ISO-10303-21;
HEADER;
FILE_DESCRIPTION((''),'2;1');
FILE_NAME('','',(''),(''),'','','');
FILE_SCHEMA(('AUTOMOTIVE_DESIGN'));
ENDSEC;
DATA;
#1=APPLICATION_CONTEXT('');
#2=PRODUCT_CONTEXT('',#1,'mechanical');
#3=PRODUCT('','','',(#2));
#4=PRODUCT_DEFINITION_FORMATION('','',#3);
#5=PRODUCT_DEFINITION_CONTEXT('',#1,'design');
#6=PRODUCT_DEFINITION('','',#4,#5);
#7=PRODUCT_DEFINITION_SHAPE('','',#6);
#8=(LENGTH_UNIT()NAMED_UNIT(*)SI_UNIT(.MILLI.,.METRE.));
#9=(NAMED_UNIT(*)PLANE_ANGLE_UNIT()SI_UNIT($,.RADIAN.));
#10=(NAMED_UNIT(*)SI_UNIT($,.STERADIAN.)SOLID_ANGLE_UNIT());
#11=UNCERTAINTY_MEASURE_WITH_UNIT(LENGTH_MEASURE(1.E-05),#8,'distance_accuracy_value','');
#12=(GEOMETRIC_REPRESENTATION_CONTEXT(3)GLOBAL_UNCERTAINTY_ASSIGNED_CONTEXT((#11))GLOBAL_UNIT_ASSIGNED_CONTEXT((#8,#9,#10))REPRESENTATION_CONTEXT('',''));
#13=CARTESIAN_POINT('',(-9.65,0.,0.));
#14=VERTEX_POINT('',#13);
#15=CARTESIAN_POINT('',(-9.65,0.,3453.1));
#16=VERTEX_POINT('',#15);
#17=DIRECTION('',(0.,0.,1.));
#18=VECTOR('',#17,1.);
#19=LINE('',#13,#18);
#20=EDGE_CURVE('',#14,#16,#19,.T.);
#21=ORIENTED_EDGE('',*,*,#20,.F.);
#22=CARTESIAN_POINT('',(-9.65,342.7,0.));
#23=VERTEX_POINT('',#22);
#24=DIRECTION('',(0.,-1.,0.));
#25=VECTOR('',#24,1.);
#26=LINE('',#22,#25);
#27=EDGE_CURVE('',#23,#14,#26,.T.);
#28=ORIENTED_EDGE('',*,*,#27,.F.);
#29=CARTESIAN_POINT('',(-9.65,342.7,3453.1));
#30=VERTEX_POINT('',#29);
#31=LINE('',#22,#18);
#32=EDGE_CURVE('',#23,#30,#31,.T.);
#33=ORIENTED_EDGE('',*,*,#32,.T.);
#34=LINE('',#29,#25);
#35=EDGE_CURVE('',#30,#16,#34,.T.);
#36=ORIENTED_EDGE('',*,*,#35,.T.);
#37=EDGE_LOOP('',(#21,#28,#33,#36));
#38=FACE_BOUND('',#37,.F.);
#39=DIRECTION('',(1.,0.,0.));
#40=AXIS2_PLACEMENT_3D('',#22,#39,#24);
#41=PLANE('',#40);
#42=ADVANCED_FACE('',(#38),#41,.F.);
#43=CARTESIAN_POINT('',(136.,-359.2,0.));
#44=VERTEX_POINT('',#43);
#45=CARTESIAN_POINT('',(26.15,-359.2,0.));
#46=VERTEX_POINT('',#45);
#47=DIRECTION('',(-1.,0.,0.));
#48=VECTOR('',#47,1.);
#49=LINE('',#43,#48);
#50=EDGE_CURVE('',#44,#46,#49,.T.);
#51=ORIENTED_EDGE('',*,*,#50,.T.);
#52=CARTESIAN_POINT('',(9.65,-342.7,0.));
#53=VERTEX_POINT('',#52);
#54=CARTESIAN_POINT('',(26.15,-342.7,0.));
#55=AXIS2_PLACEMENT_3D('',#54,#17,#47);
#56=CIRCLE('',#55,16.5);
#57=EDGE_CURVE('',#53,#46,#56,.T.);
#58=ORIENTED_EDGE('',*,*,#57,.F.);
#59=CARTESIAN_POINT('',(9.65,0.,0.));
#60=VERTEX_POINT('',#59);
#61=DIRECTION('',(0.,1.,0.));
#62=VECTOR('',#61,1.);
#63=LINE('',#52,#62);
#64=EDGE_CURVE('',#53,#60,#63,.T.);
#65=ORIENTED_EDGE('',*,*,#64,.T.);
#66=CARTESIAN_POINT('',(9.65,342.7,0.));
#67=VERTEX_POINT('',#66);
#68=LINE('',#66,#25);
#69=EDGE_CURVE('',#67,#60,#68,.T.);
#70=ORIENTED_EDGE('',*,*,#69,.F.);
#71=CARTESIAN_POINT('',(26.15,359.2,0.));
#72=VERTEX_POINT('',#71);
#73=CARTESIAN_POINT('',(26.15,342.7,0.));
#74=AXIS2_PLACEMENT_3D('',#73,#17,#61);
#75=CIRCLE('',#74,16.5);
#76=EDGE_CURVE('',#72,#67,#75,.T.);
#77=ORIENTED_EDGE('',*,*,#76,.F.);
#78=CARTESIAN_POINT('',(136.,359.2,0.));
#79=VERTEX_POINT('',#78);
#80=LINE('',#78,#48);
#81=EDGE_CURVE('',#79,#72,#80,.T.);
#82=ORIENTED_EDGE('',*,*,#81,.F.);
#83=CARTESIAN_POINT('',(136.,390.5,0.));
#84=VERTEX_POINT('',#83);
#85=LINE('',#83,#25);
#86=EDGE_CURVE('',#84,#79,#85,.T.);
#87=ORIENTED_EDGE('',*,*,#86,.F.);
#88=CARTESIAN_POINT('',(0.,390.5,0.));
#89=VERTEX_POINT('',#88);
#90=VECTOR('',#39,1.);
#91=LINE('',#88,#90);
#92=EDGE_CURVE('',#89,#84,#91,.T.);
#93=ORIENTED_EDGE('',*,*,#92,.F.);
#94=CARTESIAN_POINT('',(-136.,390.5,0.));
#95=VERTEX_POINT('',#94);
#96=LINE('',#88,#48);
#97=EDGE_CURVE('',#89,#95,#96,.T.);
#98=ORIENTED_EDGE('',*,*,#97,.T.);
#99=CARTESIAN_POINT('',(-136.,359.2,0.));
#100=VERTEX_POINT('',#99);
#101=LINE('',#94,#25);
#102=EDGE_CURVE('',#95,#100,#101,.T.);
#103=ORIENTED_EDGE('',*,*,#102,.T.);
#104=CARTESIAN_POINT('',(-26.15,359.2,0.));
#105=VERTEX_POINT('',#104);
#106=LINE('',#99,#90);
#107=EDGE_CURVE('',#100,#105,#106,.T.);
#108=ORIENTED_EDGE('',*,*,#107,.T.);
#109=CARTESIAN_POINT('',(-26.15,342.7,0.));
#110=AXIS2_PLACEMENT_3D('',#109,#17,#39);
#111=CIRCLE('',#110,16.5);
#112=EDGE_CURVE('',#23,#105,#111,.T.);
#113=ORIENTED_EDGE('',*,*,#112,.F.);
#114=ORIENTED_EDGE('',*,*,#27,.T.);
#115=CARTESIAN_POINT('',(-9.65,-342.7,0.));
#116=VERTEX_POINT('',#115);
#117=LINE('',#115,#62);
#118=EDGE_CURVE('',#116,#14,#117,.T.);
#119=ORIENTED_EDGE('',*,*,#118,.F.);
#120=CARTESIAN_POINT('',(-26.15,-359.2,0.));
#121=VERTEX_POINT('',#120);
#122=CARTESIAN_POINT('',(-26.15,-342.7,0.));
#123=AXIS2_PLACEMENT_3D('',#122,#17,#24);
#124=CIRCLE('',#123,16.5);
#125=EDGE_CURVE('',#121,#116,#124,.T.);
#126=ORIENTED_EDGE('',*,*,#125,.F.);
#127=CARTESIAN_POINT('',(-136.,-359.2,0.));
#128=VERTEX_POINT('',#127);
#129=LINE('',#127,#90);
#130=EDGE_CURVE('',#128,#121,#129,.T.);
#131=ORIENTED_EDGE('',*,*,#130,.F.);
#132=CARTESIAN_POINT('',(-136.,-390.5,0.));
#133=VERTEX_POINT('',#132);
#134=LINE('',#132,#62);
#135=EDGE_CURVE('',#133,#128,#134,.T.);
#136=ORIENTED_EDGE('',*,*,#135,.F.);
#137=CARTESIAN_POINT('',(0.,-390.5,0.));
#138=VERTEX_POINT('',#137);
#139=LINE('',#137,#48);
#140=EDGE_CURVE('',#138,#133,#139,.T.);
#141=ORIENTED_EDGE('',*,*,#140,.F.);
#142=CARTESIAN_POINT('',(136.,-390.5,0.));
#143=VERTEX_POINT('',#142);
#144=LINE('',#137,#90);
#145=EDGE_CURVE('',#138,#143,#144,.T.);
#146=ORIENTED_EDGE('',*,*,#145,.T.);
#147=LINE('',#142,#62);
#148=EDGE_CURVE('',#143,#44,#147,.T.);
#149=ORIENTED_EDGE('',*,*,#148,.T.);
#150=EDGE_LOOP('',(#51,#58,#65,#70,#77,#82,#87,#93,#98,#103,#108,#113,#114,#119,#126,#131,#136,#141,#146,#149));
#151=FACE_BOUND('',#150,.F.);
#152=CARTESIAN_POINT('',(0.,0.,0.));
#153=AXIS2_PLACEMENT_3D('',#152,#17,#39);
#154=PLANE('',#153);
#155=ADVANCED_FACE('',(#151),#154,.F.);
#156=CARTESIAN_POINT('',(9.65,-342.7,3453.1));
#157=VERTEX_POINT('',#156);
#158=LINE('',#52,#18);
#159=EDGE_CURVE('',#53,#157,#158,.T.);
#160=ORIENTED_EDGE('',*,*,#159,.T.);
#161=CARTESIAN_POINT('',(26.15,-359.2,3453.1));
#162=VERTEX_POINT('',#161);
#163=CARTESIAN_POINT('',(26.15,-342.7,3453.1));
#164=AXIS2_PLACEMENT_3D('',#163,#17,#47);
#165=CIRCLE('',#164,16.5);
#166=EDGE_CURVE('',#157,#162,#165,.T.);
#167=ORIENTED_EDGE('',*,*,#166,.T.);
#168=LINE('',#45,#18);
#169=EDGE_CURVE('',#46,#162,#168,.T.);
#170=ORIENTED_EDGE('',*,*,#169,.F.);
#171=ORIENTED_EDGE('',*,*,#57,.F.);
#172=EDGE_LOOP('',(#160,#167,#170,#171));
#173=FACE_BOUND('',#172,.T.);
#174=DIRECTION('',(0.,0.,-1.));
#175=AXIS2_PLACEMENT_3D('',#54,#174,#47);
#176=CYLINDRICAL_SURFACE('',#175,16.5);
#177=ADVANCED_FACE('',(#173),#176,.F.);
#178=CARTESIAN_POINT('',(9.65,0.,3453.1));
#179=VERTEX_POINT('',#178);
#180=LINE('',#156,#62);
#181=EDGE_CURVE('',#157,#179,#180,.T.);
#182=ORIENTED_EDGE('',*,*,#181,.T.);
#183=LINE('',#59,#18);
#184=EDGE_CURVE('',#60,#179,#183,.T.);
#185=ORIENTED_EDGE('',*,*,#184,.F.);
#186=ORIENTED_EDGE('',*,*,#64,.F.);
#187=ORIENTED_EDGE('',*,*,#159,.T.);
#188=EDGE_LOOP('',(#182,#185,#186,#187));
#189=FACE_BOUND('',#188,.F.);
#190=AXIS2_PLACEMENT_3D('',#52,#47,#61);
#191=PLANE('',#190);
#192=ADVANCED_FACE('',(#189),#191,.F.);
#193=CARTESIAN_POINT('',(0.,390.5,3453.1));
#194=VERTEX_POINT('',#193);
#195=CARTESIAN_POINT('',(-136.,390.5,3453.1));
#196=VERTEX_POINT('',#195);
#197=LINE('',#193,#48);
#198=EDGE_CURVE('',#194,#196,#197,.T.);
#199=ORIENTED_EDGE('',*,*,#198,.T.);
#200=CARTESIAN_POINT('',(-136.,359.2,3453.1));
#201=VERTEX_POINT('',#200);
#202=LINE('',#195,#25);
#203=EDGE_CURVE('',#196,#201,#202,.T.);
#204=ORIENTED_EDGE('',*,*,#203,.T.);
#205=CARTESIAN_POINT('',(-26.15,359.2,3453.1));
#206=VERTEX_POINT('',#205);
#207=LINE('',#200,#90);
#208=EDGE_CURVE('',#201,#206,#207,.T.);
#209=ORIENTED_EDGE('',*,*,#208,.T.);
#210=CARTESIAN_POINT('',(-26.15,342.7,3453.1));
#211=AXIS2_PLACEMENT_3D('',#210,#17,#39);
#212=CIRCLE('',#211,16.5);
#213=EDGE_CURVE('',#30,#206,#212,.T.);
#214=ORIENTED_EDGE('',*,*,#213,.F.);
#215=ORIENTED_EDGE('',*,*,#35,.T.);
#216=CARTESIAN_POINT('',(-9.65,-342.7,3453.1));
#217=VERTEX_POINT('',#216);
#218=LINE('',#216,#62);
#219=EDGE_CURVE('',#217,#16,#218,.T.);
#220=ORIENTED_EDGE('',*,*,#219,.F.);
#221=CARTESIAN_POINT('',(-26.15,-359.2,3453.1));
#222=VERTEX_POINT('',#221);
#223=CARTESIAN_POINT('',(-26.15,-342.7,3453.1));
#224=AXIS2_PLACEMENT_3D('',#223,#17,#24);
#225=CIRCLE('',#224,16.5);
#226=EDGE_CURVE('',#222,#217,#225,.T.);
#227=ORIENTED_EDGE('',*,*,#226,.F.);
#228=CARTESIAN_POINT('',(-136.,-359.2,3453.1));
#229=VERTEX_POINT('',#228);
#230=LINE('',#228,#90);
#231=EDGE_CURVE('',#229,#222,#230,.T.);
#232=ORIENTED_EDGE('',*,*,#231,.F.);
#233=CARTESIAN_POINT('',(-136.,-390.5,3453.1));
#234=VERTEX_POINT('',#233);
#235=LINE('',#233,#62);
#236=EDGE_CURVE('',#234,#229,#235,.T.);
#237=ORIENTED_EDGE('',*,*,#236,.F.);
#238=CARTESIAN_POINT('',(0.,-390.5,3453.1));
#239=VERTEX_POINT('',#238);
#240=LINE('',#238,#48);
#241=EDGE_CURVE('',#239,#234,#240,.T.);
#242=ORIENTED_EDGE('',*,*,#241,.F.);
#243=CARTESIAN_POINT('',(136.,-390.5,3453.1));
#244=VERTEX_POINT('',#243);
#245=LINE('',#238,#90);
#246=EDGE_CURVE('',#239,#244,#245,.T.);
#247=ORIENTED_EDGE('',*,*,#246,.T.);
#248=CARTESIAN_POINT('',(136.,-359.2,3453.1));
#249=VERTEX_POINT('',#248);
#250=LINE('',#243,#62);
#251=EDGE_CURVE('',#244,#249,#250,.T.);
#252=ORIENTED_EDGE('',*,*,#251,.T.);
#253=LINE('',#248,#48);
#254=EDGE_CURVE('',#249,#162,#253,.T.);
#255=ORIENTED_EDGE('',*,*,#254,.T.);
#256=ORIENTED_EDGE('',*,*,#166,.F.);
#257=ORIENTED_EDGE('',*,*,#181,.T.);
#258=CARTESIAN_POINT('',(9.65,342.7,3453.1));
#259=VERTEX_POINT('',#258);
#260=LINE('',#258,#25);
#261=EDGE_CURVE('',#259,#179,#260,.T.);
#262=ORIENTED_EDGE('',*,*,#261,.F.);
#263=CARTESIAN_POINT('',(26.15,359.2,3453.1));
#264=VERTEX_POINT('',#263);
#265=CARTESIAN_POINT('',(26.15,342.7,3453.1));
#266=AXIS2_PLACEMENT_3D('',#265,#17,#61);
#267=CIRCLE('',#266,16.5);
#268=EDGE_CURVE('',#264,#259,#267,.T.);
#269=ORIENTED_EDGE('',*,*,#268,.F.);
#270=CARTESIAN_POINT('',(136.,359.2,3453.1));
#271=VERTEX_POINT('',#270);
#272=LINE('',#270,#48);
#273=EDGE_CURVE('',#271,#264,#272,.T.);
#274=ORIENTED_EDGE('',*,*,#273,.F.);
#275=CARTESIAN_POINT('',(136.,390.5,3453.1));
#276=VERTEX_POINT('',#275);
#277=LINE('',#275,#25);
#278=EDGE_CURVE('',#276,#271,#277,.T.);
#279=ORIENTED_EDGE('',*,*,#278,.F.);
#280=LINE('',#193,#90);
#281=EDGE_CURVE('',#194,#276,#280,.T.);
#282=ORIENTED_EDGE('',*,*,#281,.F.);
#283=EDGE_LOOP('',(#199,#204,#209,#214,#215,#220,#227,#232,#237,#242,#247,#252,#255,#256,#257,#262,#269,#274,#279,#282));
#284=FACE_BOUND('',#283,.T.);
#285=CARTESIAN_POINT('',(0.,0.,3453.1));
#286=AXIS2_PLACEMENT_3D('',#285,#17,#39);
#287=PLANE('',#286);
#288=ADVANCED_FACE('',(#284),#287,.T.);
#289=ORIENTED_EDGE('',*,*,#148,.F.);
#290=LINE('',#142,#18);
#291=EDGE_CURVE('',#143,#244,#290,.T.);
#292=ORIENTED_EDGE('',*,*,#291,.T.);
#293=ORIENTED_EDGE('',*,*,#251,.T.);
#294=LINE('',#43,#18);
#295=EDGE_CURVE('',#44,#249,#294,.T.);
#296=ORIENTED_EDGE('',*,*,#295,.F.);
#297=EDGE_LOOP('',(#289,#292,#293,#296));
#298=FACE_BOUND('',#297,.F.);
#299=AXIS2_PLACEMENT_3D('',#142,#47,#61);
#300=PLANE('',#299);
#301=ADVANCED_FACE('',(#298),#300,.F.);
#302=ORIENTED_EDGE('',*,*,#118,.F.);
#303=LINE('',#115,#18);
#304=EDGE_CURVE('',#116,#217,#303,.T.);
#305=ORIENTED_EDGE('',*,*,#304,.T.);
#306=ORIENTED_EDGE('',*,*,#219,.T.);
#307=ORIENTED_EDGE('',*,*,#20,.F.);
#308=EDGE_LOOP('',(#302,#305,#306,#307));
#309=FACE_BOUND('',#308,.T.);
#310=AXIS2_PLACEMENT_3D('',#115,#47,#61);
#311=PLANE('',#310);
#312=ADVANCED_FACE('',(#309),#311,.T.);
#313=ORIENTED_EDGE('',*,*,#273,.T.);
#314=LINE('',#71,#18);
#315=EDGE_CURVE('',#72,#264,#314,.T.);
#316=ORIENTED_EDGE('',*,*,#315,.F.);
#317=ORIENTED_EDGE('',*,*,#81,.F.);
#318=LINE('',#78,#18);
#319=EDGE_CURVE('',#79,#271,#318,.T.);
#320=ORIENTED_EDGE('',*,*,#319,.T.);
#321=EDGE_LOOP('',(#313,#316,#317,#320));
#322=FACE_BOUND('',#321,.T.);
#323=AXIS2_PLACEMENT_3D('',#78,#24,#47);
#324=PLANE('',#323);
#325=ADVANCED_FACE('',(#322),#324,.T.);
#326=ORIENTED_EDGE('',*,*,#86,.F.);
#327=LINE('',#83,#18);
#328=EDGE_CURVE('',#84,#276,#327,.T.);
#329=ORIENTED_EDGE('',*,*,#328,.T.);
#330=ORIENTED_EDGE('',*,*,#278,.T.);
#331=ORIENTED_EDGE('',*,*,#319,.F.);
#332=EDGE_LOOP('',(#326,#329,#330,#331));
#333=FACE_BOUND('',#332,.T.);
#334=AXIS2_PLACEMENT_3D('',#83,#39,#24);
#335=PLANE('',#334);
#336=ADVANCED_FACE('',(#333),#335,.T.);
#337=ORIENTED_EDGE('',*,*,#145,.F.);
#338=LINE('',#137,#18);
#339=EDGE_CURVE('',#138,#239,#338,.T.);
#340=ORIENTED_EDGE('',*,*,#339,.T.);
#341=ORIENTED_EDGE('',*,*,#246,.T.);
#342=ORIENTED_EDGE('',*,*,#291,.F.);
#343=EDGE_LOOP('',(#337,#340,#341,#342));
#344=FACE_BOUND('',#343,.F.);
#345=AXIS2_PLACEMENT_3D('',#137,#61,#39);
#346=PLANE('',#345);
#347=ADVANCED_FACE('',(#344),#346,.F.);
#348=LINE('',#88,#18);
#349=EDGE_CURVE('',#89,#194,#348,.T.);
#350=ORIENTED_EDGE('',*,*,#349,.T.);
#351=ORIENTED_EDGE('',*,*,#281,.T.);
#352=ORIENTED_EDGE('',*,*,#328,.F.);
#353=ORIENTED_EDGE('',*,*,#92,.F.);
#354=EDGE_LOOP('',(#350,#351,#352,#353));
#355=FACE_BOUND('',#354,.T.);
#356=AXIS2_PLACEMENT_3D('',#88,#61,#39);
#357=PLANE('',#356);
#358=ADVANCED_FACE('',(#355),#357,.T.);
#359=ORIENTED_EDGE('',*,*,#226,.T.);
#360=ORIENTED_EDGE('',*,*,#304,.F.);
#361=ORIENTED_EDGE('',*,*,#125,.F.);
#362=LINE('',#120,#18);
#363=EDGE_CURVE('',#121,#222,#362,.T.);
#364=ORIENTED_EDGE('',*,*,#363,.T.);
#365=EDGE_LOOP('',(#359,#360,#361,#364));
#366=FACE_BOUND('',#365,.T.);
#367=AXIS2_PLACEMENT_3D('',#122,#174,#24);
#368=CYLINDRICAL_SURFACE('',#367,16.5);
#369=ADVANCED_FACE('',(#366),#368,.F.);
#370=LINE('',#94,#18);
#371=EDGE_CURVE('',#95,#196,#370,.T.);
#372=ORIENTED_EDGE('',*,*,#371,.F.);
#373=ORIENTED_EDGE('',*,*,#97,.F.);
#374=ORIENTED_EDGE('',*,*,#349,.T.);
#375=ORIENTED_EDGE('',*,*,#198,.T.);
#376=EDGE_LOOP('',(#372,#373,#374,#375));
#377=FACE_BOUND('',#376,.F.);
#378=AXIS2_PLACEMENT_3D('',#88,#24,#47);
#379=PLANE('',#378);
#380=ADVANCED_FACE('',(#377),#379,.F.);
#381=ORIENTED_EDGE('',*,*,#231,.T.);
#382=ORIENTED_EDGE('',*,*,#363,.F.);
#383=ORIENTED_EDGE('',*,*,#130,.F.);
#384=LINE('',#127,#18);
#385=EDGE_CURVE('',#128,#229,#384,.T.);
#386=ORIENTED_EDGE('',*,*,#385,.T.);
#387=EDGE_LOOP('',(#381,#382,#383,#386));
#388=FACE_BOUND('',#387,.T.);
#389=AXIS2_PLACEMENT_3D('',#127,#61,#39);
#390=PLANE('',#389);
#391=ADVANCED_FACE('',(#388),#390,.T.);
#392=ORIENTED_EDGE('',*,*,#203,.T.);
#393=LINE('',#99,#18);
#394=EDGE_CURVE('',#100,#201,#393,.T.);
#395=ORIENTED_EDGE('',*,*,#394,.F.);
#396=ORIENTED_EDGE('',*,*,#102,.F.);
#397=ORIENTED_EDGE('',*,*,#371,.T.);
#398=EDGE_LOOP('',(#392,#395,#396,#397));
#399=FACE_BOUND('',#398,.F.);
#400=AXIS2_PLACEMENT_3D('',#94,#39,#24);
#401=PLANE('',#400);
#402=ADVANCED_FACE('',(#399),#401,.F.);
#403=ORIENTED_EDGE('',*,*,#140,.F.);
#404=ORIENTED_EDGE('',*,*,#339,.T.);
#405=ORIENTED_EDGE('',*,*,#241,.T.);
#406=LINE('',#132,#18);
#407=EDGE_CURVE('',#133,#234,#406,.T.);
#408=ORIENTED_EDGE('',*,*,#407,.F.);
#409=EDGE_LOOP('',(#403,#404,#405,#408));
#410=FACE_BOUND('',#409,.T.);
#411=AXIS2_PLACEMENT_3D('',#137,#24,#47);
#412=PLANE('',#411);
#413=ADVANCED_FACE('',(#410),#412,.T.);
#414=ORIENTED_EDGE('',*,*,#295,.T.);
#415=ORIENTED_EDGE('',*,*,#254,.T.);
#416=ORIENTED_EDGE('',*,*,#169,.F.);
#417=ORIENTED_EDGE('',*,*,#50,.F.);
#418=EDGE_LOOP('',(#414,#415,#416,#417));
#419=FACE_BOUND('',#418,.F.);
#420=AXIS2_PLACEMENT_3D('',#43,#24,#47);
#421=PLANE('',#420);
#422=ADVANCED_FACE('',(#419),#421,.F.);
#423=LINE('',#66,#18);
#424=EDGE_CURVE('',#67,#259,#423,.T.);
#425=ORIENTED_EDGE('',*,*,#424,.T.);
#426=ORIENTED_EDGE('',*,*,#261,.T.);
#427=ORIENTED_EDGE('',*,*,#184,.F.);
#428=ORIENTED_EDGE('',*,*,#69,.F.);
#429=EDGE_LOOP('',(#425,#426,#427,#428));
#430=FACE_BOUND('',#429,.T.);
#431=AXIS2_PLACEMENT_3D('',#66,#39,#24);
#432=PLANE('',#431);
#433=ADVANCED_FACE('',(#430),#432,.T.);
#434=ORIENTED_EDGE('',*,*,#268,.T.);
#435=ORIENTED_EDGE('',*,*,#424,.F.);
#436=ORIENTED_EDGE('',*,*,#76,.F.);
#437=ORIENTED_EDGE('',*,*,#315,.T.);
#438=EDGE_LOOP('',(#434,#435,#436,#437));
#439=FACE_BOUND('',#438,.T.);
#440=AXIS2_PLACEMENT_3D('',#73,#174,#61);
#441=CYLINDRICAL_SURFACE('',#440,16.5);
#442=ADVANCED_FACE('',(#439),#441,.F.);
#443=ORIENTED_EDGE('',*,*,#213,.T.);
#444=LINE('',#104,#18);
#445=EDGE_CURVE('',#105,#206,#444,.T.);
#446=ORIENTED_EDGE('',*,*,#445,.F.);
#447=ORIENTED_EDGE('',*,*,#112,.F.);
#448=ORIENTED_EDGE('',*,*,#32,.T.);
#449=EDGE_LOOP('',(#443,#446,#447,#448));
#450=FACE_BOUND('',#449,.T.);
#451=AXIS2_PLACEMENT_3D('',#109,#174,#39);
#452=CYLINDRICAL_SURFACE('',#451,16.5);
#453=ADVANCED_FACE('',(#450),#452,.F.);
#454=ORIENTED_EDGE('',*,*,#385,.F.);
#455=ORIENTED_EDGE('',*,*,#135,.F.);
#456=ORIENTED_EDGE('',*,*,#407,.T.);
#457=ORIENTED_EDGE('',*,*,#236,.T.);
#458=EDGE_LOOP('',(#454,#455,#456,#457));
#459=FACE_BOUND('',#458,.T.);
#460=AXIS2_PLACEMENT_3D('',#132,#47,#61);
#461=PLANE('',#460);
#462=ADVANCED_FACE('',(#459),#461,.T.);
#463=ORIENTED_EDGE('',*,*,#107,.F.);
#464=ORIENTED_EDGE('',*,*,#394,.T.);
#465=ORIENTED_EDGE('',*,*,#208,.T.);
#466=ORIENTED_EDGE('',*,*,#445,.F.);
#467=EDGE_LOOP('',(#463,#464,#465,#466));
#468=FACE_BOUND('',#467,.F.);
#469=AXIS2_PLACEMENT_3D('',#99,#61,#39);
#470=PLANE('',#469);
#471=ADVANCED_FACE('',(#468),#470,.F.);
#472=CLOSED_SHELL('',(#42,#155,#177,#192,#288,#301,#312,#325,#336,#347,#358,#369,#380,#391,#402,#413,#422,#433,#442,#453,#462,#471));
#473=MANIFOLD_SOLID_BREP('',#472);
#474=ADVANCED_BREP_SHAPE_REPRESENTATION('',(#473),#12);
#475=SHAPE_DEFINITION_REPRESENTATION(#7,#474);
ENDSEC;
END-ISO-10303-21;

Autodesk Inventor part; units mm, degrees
ref_plane "YZ Plane" through (0, 0, 0) normal (1, 0, 0) x (0, 1, 0)
ref_plane "Start plane" through (0, 0, 0) normal (0, 0, 1) x (1, 0, 0)
ref_plane "End plane" through (0, 0, 3453.1) normal (0, 0, 1) x (1, 0, 0)
sketch "Sketch" plane through (0, 0, 0) normal (0, 0, 1) x (1, 0, 0)
  line L0 (-136, -390.5) -> (-136, -359.2)
  line L1 (-136, -359.2) -> (-26.15, -359.2)
  line L2 (-9.65, -342.7) -> (-9.65, 0)
  line L3 (-9.65, 0) -> (0, 0) construction
  line L4 (0, 0) -> (0, -390.5) construction
  line L5 (0, -390.5) -> (-136, -390.5)
  line L6 (-60, 0) -> (80, 0) construction
  line L7 (0, -60) -> (0, 80) construction
  line L8 (136, -390.5) -> (136, -359.2)
  line L9 (136, -359.2) -> (26.15, -359.2)
  line L10 (9.65, -342.7) -> (9.65, 0)
  line L11 (9.65, 0) -> (0, 0) construction
  line L12 (0, -390.5) -> (136, -390.5)
  line L13 (-136, 390.5) -> (-136, 359.2)
  line L14 (-136, 359.2) -> (-26.15, 359.2)
  line L15 (-9.65, 342.7) -> (-9.65, 0)
  line L16 (0, 390.5) -> (-136, 390.5)
  line L17 (136, 390.5) -> (136, 359.2)
  line L18 (136, 359.2) -> (26.15, 359.2)
  line L19 (0, 390.5) -> (136, 390.5)
  line L20 (9.65, 342.7) -> (9.65, 0)
  arc A0 (-9.65, 342.7) -> (-26.15, 359.2) centre (-26.15, 342.7) ccw
  arc A1 (26.15, 359.2) -> (9.65, 342.7) centre (26.15, 342.7) ccw
  arc A2 (9.65, -342.7) -> (26.15, -359.2) centre (26.15, -342.7) ccw
  arc A3 (-26.15, -359.2) -> (-9.65, -342.7) centre (-26.15, -342.7) ccw
  line L21 (0, 108) -> (0, -88) construction
  line L22 (-88, 0) -> (108, 0) construction
  point P0 (-9.65, -359.2)
  point P1 (9.65, -359.2)
  point P2 (-9.65, 359.2)
  point P3 (9.65, 359.2)
  dimension "d1" = 390.5
  dimension "d2" = 31.3
  dimension "d3" = 136
  dimension "d4" = 9.65
  dimension "d10" = 16.5
extrude "Body" add sketch "Sketch" along normal up to surface (3453.1 mm away) from surface at 0
sketch "Sketch4" plane through (0, 0, 0) normal (0, 0, 1) x (1, 0, 0)
  line L0 (0, 0) -> (10, 0)
ref_plane "Work Plane3" through (0, 0, 0) normal (0, -1, 0) x (1, 0, 0)
sketch "Sketch5" plane through (0, 0, 0) normal (0, -1, 0) x (1, 0, 0)
  line L0 (-2, 0) -> (12, 0) projected
  line L1 (-2, 3453.1) -> (12, 3453.1) projected
  dimension "d14" = 3453.1
equation "\"d1\" = 0.5 * G_H"
equation "\"d2\" = G_T1"
equation "\"d3\" = 0.5 * G_W"
equation "\"d4\" = 0.5 * G_T"
equation "\"d10\" = G_IR"
equation "\"d5\" = G_L"
equation "\"G_W\" = 272"
equation "\"G_H\" = 781"
equation "\"G_T\" = 19.3"
equation "\"G_T1\" = 31.3"
equation "\"G_IR\" = 16.5"
equation "\"G_L\" = d14"
equation "\"G_OFFSET_START\" = 0"
equation "\"G_OFFSET_END\" = 0"
equation "\"d12\" = G_OFFSET_END + B_L"
equation "\"B_L\" = 3453.1"
properties part number "AS 3679-1990 - 760 UB - 244 - 3453.1" material "Steel, Mild"
